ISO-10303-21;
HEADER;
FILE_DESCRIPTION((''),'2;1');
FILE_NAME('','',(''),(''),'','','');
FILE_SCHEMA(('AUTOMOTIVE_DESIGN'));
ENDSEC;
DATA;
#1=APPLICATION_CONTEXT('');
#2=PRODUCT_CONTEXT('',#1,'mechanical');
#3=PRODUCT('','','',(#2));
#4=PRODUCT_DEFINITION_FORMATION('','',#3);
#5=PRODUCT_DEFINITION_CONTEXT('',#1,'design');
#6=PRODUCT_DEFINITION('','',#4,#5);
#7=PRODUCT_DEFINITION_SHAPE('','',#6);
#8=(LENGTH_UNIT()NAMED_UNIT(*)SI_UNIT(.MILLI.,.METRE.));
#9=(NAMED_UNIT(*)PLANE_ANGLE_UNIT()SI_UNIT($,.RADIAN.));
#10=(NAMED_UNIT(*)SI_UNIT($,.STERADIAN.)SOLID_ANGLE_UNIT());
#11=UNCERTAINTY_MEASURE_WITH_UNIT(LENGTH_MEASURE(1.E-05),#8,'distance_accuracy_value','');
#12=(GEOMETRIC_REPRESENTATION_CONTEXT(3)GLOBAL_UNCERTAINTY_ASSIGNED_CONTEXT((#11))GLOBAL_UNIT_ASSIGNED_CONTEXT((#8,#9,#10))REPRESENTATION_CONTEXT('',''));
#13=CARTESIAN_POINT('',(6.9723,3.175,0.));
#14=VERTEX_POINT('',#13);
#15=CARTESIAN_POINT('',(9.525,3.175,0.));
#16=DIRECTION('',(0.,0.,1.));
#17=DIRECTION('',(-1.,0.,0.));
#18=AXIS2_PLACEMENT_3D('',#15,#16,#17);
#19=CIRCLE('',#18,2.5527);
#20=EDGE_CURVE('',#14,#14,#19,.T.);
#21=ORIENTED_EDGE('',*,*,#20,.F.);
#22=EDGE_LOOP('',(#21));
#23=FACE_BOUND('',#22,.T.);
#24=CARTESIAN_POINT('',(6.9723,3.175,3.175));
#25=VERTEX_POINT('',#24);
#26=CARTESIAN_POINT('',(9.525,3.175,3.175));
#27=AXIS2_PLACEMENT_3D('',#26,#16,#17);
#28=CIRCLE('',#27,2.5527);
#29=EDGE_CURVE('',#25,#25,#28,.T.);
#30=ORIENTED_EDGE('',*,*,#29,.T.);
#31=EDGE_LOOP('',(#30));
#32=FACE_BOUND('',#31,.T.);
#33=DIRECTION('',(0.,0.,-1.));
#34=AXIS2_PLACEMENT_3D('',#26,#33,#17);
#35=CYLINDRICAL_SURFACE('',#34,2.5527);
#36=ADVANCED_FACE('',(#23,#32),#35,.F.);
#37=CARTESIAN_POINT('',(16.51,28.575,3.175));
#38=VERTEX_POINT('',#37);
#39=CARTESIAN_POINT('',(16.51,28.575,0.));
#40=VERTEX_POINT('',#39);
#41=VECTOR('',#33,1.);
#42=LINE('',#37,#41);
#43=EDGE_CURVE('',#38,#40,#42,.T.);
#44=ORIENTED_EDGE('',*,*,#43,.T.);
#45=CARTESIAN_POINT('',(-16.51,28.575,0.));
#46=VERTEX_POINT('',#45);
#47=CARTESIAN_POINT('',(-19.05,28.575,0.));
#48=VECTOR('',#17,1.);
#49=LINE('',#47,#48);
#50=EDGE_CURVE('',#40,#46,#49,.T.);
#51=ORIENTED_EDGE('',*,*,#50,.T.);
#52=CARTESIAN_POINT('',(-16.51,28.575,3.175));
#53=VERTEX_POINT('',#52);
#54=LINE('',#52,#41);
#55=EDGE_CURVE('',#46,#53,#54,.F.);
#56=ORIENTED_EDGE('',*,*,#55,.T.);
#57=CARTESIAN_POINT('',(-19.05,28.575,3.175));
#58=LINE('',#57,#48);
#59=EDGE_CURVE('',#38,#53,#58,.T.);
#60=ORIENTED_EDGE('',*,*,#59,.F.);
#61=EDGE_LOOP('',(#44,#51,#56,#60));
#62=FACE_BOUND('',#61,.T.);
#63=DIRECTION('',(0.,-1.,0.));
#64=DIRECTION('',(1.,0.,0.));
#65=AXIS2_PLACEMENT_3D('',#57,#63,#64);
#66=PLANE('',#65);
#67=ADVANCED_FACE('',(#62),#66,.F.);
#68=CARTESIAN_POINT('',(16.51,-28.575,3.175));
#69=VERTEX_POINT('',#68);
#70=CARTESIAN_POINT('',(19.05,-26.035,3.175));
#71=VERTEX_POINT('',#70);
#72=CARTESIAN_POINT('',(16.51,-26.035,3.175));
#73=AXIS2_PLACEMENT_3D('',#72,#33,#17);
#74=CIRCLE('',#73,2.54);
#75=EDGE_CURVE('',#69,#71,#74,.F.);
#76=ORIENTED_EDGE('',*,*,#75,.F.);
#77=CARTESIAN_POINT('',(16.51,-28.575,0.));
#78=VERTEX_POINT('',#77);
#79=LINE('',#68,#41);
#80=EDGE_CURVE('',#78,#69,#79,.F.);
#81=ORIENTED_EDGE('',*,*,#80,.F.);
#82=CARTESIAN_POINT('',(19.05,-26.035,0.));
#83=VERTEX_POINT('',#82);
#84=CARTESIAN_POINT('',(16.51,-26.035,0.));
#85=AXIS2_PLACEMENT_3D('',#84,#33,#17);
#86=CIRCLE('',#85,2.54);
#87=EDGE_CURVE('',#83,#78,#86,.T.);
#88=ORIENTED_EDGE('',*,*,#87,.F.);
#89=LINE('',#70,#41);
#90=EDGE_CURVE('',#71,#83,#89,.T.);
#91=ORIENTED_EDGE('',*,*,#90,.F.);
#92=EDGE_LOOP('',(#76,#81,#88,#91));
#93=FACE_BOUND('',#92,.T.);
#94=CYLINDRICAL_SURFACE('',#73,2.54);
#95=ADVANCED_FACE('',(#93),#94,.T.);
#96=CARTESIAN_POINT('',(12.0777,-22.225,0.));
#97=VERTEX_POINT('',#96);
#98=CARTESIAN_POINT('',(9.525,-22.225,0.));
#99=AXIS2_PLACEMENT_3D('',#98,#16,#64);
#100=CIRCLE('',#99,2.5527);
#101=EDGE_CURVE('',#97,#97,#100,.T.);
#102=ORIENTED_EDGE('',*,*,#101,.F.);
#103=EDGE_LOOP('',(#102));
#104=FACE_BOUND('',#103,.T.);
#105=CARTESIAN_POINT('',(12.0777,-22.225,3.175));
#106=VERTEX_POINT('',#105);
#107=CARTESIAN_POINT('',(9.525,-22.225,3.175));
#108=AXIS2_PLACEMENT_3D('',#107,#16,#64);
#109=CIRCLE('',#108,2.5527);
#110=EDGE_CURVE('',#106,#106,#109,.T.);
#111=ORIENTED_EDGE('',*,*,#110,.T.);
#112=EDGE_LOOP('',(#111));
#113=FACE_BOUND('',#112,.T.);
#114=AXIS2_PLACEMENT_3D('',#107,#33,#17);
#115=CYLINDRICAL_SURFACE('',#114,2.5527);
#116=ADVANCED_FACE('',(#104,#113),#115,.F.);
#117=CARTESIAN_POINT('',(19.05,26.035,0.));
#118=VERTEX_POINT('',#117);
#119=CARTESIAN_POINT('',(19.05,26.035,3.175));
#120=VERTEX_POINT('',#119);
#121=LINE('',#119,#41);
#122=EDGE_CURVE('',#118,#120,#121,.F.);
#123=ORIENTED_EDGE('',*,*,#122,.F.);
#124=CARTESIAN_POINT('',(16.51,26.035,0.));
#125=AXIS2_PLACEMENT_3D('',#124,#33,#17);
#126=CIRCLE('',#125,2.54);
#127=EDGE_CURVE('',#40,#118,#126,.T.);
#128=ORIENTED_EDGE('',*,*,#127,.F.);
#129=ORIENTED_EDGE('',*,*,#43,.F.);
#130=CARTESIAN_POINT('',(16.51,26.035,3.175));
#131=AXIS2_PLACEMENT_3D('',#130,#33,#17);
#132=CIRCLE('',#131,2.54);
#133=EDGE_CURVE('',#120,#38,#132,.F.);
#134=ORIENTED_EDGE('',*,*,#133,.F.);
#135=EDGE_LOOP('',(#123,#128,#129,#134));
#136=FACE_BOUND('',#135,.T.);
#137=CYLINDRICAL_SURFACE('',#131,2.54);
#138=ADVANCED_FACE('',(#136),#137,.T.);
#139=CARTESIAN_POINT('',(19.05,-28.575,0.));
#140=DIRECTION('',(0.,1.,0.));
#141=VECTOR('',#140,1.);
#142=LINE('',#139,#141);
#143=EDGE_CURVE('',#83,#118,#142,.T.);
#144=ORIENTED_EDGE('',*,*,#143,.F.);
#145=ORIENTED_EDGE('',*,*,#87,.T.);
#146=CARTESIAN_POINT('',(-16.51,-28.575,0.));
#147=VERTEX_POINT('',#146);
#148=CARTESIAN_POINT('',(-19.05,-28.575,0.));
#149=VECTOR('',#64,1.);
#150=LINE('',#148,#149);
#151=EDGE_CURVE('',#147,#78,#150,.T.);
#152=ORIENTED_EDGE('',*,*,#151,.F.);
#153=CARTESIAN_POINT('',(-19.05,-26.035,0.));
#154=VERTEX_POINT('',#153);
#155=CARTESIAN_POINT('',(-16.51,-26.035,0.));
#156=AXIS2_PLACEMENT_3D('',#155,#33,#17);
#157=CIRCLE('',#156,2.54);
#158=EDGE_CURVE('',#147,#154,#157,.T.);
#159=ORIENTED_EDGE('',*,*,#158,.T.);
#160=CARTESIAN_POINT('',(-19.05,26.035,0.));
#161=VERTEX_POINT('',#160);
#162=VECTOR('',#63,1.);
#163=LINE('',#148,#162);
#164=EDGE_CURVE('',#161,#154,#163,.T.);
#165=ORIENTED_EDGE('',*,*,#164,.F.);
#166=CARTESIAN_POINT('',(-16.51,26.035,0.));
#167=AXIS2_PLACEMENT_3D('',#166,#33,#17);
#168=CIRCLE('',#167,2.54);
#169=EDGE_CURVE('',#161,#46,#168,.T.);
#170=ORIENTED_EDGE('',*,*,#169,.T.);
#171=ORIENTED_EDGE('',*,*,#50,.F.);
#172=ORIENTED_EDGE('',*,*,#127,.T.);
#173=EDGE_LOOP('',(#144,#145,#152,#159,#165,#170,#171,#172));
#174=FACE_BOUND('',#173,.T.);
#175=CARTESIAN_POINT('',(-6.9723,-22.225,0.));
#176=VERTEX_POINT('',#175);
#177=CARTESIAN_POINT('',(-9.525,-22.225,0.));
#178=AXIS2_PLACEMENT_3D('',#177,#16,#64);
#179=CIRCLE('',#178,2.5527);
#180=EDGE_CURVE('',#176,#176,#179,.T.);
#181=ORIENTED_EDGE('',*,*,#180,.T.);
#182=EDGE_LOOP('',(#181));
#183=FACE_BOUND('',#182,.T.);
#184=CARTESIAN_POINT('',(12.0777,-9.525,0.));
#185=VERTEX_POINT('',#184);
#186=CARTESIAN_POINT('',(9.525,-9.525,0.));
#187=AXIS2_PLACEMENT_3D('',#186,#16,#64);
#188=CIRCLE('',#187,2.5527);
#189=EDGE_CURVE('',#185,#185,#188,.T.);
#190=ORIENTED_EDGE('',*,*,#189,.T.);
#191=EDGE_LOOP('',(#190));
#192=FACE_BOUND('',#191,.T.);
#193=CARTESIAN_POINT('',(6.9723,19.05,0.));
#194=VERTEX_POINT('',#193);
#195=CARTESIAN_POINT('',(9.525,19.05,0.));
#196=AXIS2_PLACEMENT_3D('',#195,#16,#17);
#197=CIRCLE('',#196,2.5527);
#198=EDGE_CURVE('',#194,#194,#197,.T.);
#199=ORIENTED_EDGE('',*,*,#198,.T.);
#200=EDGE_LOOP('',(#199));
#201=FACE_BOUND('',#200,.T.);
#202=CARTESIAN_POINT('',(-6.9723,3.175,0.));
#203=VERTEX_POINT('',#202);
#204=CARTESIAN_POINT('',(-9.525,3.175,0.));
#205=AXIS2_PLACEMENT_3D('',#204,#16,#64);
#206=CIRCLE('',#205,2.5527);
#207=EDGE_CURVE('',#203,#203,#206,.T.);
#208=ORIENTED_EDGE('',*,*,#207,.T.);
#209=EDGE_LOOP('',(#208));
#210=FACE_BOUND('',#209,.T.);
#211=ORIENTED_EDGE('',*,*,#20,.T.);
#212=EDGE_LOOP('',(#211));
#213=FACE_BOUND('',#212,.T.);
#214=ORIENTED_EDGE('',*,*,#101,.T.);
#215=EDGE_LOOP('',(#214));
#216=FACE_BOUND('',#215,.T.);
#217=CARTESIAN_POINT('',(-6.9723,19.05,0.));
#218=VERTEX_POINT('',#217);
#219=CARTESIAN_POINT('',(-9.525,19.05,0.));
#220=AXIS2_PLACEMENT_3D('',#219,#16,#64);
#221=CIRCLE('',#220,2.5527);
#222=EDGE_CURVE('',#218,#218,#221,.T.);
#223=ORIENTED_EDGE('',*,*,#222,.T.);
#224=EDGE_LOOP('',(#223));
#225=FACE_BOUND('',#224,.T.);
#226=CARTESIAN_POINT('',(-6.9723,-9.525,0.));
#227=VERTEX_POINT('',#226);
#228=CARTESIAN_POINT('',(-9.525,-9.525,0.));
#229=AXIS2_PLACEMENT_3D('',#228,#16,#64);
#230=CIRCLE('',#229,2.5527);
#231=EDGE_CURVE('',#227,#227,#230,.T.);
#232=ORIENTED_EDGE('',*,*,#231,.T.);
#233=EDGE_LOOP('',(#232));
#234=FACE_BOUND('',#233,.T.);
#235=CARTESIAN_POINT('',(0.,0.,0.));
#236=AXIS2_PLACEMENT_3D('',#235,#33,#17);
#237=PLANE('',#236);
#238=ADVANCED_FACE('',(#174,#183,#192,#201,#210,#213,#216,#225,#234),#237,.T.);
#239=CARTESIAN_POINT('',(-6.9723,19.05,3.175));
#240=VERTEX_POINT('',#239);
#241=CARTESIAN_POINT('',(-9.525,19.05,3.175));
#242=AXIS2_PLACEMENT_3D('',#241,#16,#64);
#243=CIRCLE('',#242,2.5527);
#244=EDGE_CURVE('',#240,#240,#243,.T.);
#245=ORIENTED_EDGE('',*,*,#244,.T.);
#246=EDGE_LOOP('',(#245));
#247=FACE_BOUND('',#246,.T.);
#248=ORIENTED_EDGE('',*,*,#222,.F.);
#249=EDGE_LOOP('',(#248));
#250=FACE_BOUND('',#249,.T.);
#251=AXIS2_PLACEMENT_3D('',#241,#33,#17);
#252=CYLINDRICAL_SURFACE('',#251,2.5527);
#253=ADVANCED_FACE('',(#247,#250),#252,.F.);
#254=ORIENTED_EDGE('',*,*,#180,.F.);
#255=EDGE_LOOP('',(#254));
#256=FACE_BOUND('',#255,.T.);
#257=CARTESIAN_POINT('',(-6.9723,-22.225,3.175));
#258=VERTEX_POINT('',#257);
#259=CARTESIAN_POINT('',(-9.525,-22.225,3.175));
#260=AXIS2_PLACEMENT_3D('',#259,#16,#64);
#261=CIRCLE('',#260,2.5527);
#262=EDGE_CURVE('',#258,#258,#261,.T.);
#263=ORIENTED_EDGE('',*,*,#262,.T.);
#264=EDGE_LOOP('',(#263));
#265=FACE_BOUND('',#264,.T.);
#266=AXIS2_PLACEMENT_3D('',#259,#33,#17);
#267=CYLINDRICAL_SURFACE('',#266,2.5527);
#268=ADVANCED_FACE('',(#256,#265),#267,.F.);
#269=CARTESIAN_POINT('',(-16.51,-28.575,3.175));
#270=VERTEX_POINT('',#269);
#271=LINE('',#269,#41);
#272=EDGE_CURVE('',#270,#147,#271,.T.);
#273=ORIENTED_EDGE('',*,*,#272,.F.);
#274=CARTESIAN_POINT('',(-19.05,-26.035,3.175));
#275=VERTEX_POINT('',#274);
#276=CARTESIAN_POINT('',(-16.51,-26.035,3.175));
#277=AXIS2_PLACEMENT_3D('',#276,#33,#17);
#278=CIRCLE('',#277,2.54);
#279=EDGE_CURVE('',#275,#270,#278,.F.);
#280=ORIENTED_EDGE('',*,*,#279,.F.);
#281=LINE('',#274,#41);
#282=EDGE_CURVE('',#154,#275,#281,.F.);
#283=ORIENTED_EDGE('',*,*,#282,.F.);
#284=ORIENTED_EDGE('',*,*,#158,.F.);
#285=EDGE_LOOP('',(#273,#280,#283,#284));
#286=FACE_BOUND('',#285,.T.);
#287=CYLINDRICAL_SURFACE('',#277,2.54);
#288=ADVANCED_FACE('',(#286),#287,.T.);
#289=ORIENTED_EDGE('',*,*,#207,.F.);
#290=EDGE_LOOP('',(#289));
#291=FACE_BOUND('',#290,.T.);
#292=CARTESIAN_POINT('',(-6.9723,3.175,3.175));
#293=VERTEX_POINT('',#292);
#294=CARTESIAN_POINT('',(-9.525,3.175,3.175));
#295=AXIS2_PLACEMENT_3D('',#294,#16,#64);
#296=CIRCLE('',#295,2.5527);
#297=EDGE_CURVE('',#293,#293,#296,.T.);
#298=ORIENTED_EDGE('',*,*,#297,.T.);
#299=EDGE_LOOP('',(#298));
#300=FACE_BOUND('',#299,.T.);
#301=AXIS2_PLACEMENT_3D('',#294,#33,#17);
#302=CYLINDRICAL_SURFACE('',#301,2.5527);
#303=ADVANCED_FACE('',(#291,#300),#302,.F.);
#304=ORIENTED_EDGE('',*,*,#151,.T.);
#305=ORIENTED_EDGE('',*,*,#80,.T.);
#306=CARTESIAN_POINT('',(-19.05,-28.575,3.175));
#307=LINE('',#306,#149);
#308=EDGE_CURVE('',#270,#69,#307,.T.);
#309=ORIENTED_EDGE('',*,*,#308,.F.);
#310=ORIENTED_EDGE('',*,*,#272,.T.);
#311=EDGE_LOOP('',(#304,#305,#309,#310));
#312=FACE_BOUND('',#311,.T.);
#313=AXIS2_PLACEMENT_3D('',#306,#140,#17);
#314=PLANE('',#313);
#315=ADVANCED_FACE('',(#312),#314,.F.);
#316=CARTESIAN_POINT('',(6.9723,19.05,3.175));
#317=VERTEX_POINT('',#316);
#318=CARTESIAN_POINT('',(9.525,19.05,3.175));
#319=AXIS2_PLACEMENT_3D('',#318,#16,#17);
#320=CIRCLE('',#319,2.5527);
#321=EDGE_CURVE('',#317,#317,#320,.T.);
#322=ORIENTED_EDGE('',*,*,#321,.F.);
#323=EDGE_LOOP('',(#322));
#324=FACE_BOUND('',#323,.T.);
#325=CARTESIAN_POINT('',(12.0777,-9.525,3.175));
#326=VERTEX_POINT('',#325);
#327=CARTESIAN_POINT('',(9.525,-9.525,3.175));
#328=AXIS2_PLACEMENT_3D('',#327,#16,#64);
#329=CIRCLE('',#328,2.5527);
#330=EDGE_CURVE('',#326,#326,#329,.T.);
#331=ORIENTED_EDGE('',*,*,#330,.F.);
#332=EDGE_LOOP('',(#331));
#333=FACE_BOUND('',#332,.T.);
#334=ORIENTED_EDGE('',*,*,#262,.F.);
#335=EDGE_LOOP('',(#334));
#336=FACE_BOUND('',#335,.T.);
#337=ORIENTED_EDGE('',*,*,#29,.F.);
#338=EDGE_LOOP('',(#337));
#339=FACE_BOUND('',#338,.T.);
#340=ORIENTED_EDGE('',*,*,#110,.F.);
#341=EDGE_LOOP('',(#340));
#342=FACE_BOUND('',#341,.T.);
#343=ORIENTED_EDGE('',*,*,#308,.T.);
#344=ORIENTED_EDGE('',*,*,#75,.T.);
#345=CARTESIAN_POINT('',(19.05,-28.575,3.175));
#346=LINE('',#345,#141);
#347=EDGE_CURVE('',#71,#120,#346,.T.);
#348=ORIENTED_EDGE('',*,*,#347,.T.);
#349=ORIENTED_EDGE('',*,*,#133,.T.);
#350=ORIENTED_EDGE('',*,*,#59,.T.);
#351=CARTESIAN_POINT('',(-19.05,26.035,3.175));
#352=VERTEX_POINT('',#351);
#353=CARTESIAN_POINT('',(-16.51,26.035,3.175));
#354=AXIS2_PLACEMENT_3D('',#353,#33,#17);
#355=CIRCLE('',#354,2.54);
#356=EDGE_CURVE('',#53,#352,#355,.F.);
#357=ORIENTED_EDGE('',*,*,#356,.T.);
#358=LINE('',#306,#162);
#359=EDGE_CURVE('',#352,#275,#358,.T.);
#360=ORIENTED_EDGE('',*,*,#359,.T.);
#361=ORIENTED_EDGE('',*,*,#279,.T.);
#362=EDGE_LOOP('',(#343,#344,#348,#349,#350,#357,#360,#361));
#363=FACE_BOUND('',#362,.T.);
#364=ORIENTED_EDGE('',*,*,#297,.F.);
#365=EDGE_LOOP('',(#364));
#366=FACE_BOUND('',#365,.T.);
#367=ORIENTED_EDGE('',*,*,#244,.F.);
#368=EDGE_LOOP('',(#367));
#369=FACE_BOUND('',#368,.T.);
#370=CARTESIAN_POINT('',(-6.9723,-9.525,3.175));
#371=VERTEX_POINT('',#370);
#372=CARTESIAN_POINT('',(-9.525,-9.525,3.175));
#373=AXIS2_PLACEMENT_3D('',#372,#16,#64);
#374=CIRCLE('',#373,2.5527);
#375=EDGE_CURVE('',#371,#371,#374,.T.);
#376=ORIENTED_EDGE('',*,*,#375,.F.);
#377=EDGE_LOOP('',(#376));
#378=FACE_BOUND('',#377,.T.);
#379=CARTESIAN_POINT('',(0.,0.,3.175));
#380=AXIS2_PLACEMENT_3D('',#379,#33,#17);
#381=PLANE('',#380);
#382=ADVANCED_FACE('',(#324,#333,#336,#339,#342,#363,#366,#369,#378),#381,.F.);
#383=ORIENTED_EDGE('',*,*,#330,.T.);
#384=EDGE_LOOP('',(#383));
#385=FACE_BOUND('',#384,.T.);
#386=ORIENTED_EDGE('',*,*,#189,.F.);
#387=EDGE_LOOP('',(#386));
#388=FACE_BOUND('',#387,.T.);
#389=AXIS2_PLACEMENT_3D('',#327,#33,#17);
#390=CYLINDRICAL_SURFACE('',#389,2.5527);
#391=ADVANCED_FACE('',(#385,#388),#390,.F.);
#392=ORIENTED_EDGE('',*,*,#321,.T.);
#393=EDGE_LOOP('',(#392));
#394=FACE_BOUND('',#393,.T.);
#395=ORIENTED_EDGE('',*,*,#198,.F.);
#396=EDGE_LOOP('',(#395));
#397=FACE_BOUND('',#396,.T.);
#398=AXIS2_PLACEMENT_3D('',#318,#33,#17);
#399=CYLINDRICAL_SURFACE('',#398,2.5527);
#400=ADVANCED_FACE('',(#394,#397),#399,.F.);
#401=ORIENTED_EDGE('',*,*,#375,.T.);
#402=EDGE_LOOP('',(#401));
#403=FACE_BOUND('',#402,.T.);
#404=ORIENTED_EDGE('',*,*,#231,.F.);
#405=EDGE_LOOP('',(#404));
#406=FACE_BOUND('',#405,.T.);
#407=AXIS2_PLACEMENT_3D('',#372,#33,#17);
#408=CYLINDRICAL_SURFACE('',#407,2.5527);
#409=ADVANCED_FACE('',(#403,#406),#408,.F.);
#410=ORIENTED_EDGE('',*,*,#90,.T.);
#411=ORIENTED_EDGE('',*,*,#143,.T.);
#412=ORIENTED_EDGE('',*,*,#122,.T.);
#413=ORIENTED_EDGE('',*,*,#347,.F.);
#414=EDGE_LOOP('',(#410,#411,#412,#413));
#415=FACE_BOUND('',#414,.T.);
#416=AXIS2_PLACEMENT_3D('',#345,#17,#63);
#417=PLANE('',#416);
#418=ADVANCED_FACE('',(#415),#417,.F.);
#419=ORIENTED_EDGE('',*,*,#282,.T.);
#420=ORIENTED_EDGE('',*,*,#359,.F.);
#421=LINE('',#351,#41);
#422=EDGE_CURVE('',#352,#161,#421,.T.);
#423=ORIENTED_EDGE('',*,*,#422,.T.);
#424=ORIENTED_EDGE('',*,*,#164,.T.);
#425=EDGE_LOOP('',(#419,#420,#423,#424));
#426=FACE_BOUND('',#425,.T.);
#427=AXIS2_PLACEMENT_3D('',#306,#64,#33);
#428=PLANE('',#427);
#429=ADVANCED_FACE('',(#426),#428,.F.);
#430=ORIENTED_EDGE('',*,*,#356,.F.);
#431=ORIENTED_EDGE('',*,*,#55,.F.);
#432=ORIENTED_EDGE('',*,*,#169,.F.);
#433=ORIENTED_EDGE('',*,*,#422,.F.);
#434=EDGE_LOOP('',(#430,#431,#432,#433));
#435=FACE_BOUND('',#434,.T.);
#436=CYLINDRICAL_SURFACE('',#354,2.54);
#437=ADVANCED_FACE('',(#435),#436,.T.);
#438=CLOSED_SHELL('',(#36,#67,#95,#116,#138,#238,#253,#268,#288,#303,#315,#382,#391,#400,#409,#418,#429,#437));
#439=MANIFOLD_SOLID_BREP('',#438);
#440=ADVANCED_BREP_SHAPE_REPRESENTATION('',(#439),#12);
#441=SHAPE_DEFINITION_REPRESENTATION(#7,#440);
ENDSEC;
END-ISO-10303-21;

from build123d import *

# Parameters (mm, degrees)
SKETCH1_W           = 38.1
SKETCH1_H           = 57.15
SKETCH1_R           = 2.5527
BOSS_EXTRUDE1_DEPTH = 3.175
FILLET1_R           = 2.54


with BuildPart() as part:
    # Sketch1 → Boss-Extrude1 (new body)
    with BuildSketch(Plane.XY):
        Rectangle(SKETCH1_W, SKETCH1_H)
        with Locations((-9.525, 3.175)):
            Circle(SKETCH1_R, mode=Mode.SUBTRACT)
        with Locations((-9.525, 19.05)):
            Circle(SKETCH1_R, mode=Mode.SUBTRACT)
        with Locations((9.525, 3.175)):
            Circle(SKETCH1_R, mode=Mode.SUBTRACT)
        with Locations((9.525, 19.05)):
            Circle(SKETCH1_R, mode=Mode.SUBTRACT)
        with Locations((-9.525, -9.525)):
            Circle(SKETCH1_R, mode=Mode.SUBTRACT)
        with Locations((9.525, -9.525)):
            Circle(SKETCH1_R, mode=Mode.SUBTRACT)
        with Locations((-9.525, -22.225)):
            Circle(SKETCH1_R, mode=Mode.SUBTRACT)
        with Locations((9.525, -22.225)):
            Circle(SKETCH1_R, mode=Mode.SUBTRACT)
    extrude(amount=BOSS_EXTRUDE1_DEPTH)

    # Fillet1
    fillet1_edges = [part.edges().sort_by_distance(p)[0] for p in [
        (19.05, -28.575, 1.5875),
        (-19.05, -28.575, 1.5875),
        (-19.05, 28.575, 1.5875),
        (19.05, 28.575, 1.5875),
    ]]
    fillet(fillet1_edges, radius=FILLET1_R)


solid = part.part
